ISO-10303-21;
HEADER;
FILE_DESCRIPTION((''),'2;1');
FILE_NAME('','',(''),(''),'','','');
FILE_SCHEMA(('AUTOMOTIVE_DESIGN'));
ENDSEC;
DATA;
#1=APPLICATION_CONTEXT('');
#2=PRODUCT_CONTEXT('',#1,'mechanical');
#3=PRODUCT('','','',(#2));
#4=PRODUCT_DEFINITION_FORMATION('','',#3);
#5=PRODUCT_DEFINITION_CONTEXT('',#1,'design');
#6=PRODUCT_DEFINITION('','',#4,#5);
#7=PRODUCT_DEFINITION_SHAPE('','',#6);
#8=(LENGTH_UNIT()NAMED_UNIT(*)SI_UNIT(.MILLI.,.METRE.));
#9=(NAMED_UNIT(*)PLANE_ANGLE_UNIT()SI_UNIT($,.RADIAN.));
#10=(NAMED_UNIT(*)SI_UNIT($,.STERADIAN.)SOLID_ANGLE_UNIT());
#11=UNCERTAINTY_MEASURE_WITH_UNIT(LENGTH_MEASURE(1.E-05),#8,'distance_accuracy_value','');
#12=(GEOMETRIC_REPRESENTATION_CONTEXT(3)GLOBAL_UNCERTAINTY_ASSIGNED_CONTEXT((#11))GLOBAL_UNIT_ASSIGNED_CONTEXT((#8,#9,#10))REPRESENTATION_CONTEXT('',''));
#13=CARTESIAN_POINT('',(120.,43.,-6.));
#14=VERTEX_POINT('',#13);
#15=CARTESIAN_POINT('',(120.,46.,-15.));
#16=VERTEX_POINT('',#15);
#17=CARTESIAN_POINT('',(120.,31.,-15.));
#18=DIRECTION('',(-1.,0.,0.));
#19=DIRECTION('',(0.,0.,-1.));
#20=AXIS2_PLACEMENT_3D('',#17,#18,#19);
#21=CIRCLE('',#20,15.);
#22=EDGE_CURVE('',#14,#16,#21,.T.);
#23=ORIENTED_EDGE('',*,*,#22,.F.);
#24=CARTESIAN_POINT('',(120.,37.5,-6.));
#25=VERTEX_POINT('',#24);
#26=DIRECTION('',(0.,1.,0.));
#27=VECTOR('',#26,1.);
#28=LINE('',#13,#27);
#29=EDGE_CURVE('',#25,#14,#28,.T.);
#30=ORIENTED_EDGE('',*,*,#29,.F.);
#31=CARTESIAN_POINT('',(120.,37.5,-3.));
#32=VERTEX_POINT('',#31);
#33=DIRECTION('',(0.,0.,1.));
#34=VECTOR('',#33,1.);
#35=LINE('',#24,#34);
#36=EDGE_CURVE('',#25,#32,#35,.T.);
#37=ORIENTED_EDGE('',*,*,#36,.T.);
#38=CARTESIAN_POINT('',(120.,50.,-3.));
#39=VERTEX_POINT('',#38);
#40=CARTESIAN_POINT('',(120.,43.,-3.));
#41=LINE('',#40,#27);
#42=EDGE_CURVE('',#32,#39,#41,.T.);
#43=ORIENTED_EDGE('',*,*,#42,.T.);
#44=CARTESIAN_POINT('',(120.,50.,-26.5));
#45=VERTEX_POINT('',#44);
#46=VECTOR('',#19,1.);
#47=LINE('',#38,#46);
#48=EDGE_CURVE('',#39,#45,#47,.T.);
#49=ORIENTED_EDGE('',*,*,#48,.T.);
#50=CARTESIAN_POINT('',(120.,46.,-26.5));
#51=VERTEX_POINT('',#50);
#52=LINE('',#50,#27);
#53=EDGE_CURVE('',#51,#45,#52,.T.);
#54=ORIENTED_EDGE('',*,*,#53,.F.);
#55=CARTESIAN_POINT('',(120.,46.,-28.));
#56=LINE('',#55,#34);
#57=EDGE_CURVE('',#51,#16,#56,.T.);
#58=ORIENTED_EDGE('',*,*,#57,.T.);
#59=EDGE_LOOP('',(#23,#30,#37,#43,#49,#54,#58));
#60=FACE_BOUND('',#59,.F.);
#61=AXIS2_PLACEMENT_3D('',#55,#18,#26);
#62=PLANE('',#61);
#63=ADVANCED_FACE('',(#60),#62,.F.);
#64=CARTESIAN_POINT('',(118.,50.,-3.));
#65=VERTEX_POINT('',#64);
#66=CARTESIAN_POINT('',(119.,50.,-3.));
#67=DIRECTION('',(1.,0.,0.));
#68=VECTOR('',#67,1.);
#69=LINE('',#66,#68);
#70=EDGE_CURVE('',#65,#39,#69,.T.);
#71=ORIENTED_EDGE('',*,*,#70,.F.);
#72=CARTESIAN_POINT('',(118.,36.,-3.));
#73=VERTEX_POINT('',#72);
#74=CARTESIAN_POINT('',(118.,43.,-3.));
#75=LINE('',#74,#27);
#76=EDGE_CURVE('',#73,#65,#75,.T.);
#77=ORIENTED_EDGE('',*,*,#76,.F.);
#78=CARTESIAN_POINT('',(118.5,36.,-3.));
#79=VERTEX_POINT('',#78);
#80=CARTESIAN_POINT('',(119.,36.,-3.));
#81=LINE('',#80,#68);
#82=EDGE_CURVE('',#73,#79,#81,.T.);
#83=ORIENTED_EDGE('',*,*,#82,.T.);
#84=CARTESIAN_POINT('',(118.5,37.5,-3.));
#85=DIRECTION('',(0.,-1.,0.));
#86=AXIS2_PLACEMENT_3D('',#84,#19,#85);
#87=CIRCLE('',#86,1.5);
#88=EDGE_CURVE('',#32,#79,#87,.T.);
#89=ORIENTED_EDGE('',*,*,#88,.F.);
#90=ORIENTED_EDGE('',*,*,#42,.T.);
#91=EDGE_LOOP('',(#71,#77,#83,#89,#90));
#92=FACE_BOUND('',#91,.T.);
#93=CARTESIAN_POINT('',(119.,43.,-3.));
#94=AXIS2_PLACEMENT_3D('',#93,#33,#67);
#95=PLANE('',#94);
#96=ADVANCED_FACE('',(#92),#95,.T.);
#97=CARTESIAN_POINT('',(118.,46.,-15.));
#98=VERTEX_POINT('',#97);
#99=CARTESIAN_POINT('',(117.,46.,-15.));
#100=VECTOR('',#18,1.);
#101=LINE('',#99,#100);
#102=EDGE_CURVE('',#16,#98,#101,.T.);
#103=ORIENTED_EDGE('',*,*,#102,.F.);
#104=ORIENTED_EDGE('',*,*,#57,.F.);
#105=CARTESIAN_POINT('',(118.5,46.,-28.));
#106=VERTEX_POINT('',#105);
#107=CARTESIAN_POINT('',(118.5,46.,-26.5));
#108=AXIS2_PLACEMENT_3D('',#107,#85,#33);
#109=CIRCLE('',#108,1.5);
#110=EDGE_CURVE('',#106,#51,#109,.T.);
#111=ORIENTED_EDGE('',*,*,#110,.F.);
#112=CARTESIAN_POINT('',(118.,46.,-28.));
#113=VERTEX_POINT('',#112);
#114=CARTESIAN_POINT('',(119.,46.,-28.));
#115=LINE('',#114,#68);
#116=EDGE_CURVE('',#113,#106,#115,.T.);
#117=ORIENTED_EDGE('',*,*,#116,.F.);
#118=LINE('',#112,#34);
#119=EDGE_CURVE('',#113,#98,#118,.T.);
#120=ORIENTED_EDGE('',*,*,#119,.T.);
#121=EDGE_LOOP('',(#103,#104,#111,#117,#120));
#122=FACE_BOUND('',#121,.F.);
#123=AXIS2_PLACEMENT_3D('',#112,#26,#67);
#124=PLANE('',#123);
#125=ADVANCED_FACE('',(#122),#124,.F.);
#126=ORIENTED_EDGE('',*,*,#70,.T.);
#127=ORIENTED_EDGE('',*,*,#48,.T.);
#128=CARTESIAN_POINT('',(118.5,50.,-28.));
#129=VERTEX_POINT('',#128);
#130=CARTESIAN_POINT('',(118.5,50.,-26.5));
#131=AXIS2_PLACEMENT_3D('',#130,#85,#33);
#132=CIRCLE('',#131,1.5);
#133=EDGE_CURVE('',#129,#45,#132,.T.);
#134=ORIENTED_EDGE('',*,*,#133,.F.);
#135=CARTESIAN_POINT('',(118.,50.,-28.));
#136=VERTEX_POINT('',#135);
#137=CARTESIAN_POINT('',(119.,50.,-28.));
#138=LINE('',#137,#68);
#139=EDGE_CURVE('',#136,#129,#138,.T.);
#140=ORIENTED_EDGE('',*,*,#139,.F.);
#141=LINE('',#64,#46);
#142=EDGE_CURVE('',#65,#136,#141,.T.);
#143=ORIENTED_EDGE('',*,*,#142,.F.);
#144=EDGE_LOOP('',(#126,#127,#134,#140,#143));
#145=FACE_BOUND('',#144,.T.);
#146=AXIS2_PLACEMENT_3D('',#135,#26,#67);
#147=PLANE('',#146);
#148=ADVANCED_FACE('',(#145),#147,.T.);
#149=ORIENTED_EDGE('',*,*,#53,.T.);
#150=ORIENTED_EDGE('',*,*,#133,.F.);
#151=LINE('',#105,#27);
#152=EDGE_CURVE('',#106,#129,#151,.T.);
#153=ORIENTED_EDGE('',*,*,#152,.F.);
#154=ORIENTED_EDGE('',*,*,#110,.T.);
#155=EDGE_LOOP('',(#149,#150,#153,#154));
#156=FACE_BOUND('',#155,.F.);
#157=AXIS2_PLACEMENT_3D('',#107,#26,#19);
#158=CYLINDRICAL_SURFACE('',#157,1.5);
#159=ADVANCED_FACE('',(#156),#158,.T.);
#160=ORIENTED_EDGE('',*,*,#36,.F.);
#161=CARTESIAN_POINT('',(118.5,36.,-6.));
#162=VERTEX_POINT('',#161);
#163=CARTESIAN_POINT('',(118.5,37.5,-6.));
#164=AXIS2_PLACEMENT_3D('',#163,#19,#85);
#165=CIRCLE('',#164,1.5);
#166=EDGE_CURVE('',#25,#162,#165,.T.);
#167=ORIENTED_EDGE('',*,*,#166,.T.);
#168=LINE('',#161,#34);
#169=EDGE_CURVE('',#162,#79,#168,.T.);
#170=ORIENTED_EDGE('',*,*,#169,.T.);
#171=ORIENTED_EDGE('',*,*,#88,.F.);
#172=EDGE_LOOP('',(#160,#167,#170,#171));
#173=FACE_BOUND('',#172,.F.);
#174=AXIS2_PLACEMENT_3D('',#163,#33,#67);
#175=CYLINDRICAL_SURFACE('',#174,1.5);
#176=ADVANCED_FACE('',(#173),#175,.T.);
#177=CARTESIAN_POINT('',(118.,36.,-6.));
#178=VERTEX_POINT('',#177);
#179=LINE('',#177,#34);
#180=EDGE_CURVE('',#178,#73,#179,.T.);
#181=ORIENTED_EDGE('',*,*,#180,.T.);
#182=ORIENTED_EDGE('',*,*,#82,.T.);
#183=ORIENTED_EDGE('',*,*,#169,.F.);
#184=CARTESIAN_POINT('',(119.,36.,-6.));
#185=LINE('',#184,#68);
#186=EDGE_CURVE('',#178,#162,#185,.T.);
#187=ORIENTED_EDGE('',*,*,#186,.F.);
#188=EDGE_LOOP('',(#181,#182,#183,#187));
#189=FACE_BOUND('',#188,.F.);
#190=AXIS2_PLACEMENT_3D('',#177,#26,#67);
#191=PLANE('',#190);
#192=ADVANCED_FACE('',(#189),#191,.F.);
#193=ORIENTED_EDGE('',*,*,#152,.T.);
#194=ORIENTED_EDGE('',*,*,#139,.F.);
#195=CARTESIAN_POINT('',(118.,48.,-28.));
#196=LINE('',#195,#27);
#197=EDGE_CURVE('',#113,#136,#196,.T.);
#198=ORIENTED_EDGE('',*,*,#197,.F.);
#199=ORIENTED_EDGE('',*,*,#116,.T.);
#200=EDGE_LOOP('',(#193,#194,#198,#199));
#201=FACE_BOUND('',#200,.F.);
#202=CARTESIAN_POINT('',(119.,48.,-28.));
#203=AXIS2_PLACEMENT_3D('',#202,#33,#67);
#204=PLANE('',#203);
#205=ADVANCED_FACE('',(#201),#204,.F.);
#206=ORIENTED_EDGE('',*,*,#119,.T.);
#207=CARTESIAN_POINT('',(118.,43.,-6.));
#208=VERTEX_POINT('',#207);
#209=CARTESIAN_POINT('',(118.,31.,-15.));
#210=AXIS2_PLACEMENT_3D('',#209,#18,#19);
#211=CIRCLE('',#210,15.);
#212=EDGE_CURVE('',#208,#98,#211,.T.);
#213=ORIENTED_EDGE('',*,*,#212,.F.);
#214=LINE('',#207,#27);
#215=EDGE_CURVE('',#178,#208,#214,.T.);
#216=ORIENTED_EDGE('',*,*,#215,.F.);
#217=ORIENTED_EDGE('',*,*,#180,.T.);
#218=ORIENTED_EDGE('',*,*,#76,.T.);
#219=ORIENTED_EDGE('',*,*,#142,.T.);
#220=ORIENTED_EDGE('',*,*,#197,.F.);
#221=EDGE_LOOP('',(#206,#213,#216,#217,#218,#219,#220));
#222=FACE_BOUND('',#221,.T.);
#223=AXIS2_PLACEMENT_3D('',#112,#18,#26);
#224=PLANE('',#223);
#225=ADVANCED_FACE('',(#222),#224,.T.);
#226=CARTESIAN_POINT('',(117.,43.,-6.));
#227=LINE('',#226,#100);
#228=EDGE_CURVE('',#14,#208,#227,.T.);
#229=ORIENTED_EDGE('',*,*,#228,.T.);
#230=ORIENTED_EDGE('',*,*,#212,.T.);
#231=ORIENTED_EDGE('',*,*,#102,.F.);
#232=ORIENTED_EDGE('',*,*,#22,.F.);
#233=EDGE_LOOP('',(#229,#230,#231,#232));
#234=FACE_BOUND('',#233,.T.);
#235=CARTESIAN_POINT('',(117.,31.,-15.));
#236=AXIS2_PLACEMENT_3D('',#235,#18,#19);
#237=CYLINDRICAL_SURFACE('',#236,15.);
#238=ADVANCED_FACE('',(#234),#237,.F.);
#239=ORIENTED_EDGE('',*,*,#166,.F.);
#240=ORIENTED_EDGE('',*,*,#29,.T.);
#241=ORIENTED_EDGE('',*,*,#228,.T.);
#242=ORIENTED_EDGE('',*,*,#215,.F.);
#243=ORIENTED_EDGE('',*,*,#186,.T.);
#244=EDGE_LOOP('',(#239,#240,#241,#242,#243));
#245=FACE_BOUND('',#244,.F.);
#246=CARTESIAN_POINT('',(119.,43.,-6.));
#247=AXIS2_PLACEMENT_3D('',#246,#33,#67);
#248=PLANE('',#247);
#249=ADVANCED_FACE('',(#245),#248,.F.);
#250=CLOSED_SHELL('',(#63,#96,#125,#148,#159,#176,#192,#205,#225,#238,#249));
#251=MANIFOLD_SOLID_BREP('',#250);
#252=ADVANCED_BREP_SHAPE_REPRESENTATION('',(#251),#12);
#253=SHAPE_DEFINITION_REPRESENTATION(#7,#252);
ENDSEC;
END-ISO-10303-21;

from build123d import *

# Parameters (mm, degrees)
CYLINDER098_R     = 15
CYLINDER098_DEPTH = 4
BOX249_W          = 2
BOX249_H          = 10
BOX249_DEPTH      = 9
BOX250_W          = 2
BOX250_H          = 4
BOX250_DEPTH      = 13
BOX251_W          = 2
BOX251_H          = 14
BOX251_DEPTH      = 3
FILLET064_R       = 1.5


with BuildPart() as cylinder178:
    # Cylinder098 → Cylinder098 (new body)
    with BuildSketch(Plane(origin=(117, 31, -15), x_dir=(0, 0, -1), z_dir=(1, 0, 0))):
        Circle(CYLINDER098_R)
    extrude(amount=CYLINDER098_DEPTH)


with BuildPart() as cut130:
    # Box249 → Box249 (new body)
    with BuildSketch(Plane(origin=(118, 40, -15), x_dir=(1, 0, 0), z_dir=(0, 0, 1))):
        with Locations((1, 5)):
            Rectangle(BOX249_W, BOX249_H)
    extrude(amount=BOX249_DEPTH)

    # Cut130: cut Cylinder178
    add(cylinder178.part, mode=Mode.SUBTRACT)


with BuildPart() as cube238:
    # Box250 → Box250 (new body)
    with BuildSketch(Plane(origin=(118, 46, -28), x_dir=(1, 0, 0), z_dir=(0, 0, 1))):
        with Locations((1, 2)):
            Rectangle(BOX250_W, BOX250_H)
    extrude(amount=BOX250_DEPTH)


with BuildPart() as fillet064:
    # Box251 → Box251 (new body)
    with BuildSketch(Plane(origin=(118, 36, -6), x_dir=(1, 0, 0), z_dir=(0, 0, 1))):
        with Locations((1, 7)):
            Rectangle(BOX251_W, BOX251_H)
    extrude(amount=BOX251_DEPTH)

    # Fusion078: union Cut130, Cube238
    add(cut130.part)
    add(cube238.part)

    # Fillet064
    fillet064_edges = [fillet064.edges().sort_by_distance(p)[0] for p in [
        (120, 36, -4.5),
        (120, 48, -28),
    ]]
    fillet(fillet064_edges, radius=FILLET064_R)


solid = fillet064.part
